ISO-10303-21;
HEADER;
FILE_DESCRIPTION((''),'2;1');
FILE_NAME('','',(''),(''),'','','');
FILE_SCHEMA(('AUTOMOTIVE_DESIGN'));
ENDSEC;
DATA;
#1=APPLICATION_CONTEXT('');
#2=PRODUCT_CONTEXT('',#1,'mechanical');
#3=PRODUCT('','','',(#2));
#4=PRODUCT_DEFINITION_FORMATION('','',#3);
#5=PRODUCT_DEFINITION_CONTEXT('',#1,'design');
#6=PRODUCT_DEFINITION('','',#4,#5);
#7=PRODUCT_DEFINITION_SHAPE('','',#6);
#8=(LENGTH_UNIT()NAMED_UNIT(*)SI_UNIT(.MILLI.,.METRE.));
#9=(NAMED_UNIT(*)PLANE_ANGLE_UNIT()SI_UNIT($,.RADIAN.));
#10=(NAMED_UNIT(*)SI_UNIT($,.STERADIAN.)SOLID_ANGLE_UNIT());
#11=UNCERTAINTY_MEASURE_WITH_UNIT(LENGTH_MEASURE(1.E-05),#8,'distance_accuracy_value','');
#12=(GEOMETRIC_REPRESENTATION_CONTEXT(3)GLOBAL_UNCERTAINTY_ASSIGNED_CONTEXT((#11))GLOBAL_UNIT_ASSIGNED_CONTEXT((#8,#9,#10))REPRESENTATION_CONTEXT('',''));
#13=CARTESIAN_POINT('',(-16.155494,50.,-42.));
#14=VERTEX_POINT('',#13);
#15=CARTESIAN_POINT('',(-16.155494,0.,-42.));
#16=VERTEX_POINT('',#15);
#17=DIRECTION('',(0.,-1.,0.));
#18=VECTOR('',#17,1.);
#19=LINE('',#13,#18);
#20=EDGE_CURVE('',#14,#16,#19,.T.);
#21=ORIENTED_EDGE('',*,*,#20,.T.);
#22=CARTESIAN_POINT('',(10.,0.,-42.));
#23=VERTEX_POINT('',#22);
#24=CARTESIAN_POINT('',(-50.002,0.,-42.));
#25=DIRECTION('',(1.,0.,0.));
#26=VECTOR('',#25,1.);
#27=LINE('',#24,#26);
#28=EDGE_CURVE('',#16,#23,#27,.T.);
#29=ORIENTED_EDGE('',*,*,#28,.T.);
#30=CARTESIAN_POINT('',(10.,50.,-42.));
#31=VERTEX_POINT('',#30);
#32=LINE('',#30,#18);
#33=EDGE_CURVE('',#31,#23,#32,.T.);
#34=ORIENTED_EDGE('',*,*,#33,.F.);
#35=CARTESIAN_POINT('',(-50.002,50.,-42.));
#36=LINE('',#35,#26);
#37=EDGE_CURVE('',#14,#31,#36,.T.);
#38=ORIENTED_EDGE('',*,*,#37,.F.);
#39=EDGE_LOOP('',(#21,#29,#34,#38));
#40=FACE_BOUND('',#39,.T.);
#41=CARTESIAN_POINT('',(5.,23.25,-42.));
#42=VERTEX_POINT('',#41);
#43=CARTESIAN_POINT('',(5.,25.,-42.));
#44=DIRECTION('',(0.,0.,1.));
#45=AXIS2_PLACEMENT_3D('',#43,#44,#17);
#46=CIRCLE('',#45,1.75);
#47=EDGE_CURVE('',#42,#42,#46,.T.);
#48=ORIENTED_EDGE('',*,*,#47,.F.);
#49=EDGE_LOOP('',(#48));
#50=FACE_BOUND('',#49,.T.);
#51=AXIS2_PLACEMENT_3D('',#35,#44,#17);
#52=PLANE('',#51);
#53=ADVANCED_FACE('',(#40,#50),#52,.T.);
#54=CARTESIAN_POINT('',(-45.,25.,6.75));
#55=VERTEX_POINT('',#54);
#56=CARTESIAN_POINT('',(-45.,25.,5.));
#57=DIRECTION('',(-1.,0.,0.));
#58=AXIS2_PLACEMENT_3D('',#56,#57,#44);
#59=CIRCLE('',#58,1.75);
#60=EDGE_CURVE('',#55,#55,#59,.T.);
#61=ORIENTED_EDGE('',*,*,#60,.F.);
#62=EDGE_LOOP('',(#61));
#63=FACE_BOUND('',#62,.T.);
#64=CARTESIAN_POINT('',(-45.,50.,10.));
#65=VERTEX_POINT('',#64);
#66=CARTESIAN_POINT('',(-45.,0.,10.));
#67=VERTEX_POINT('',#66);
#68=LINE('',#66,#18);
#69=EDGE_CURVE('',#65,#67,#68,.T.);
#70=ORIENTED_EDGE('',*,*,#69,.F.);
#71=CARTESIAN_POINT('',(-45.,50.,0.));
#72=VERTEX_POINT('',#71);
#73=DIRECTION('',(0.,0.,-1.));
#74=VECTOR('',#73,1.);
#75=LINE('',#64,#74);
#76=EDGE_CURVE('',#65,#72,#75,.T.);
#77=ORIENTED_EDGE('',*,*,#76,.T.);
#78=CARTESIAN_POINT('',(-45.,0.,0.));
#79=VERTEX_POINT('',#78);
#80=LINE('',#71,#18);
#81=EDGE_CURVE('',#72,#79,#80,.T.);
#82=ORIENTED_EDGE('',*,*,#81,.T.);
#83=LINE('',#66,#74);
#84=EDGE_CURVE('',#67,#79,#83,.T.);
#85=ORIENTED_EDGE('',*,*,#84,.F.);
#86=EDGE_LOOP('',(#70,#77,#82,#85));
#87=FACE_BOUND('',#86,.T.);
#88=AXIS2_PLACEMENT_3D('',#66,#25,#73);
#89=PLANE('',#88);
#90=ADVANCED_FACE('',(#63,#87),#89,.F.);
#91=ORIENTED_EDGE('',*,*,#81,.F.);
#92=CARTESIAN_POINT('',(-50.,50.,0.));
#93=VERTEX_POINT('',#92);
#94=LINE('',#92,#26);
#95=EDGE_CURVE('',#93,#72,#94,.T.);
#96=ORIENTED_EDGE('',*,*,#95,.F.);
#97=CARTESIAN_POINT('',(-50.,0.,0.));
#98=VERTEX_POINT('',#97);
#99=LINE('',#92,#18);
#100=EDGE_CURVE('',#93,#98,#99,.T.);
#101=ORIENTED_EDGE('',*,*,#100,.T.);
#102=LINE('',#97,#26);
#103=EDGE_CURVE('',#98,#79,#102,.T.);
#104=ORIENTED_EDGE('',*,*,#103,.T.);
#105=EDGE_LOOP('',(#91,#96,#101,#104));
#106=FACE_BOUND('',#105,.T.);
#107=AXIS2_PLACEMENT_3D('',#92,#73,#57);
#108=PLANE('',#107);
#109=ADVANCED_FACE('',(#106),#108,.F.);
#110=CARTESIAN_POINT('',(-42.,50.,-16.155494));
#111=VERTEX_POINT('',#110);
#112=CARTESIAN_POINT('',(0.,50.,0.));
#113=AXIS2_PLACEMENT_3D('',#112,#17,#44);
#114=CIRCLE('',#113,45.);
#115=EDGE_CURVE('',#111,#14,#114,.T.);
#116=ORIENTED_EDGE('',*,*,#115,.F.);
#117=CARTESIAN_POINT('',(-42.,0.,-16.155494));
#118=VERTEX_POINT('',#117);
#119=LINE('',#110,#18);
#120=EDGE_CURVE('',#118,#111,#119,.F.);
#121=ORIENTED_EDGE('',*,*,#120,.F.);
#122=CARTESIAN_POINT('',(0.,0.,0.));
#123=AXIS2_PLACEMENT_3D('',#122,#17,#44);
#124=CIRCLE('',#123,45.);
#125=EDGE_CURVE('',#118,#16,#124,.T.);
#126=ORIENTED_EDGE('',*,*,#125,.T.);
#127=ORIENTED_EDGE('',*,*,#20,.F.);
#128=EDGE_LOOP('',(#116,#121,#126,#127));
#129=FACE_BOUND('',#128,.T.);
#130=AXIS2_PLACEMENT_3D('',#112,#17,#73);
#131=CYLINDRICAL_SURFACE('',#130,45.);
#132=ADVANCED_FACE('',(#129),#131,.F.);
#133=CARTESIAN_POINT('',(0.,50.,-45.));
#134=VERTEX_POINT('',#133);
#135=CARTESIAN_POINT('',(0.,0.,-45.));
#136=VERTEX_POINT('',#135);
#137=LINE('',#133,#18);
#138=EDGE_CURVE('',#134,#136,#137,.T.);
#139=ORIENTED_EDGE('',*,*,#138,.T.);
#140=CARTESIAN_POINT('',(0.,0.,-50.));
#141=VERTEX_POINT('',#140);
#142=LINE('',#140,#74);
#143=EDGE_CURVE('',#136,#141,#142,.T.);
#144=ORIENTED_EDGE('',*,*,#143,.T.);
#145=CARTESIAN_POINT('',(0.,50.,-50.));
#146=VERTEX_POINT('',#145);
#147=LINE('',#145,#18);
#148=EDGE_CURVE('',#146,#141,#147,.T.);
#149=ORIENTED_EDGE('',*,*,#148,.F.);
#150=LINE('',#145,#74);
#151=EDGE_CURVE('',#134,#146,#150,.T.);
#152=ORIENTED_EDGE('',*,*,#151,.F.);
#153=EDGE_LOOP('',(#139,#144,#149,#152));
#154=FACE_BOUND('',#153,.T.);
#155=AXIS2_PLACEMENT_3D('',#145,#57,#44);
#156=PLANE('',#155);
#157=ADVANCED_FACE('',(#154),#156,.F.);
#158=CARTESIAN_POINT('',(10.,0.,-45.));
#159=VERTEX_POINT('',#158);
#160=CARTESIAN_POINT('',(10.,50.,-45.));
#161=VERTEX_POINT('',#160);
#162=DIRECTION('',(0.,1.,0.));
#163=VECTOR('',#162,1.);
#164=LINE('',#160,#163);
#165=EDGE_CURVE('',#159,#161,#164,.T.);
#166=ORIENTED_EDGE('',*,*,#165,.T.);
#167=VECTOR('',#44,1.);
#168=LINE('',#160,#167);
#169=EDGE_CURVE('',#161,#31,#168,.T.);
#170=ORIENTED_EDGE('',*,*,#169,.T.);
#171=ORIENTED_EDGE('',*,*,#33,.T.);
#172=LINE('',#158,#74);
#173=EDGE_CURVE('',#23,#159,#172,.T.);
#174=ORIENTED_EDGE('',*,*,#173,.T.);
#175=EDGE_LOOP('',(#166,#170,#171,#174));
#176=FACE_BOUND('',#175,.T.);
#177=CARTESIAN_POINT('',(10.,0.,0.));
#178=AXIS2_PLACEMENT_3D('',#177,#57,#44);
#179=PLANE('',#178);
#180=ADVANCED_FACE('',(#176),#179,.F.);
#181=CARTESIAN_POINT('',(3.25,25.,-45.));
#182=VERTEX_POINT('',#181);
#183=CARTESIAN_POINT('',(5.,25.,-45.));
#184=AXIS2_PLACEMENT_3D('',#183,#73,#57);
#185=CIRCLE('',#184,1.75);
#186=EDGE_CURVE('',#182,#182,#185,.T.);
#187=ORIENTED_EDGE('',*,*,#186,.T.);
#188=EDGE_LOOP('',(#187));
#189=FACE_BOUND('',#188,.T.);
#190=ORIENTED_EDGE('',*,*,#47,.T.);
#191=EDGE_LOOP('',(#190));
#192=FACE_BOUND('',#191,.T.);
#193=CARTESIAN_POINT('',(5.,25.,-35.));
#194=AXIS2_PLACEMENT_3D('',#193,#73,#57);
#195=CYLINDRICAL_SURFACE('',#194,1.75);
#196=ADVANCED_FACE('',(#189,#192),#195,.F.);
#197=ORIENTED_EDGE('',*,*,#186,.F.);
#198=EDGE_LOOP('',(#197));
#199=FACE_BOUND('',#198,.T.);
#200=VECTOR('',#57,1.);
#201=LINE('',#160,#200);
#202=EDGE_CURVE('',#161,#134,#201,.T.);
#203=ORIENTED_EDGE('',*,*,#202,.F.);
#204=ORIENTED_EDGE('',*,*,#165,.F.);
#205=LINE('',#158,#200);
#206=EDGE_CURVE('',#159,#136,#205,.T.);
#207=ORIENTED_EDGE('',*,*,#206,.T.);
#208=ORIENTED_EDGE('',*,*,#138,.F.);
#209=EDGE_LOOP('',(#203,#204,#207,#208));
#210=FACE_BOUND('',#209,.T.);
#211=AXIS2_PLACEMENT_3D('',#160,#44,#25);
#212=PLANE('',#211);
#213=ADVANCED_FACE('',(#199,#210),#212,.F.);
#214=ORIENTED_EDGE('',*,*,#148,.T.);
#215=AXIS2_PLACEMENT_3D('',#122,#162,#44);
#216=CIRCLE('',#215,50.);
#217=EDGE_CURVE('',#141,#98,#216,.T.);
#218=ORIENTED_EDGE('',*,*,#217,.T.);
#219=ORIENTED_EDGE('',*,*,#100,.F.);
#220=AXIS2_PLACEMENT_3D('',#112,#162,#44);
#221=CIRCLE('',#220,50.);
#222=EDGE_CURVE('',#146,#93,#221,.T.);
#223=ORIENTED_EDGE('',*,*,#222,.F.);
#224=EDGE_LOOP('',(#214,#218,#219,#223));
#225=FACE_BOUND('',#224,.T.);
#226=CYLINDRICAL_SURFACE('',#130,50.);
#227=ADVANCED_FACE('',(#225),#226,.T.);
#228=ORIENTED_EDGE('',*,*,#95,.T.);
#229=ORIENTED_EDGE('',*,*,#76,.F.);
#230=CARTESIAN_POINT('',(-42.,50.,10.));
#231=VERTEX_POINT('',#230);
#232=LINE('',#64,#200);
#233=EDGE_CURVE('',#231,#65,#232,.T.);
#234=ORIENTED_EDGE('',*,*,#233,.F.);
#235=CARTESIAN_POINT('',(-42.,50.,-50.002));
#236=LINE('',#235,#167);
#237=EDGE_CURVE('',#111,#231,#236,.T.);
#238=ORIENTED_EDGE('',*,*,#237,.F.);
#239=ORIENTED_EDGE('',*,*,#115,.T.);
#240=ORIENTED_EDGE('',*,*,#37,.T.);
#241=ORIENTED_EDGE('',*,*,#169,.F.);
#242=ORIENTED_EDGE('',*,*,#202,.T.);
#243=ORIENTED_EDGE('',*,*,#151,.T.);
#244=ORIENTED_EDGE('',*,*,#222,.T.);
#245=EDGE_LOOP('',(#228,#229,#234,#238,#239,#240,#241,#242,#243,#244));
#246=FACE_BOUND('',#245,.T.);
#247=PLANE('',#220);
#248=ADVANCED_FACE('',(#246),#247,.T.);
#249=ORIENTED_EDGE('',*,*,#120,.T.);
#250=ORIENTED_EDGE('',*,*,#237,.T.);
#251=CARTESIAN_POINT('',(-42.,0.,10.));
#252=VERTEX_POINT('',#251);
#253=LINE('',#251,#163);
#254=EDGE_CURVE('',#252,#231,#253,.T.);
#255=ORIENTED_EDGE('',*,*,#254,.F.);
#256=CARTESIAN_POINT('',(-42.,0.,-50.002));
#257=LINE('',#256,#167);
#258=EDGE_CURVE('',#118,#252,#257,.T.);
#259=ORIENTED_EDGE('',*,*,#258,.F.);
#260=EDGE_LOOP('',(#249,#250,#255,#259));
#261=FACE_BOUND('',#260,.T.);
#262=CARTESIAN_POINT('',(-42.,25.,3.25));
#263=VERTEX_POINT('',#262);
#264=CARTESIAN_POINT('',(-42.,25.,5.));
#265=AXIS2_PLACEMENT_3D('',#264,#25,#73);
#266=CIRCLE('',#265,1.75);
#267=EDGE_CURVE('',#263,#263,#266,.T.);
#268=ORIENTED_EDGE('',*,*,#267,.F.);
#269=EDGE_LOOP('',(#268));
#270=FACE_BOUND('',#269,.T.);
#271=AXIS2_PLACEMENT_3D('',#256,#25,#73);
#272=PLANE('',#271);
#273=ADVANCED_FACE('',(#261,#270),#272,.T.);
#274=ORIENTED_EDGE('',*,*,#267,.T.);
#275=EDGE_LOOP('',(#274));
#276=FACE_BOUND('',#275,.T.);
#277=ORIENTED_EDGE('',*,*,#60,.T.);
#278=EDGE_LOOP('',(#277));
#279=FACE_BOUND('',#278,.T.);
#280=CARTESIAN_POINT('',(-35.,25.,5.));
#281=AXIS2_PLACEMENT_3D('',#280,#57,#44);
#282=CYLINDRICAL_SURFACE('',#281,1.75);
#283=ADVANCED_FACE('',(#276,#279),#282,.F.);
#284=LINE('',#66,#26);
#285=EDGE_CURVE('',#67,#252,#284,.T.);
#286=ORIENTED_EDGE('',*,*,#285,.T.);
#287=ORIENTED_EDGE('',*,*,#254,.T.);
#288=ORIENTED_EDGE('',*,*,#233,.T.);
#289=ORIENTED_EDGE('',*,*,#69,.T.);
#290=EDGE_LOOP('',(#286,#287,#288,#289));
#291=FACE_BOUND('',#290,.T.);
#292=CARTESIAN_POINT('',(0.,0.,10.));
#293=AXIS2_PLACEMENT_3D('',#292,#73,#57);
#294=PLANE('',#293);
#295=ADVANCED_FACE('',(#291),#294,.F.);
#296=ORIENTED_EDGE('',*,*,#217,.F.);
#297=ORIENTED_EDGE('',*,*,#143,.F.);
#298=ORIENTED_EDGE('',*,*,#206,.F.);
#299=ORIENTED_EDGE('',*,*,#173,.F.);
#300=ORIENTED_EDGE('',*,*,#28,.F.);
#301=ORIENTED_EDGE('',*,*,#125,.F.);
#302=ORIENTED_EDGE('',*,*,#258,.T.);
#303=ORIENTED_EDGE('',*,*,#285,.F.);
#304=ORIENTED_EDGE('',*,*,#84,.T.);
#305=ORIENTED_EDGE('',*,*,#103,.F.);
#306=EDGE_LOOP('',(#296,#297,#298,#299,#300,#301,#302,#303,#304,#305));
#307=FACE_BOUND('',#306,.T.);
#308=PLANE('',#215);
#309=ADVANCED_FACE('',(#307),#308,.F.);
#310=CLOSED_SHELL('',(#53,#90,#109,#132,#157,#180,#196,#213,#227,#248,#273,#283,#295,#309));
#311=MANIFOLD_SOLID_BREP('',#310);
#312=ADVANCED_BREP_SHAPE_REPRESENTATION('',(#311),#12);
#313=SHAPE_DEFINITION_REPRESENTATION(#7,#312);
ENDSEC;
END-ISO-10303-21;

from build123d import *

# Parameters (mm, degrees)
BOSS_EXTRUDE1_DEPTH             = 50
SKETCH2_W                       = 3
SKETCH2_H                       = 50
BOSS_EXTRUDE2_DEPTH             = 10
BOSS_EXTRUDE2_DIRECTION_2_REACH = 88.603
SKETCH4_W                       = 3
SKETCH4_H                       = 50
BOSS_EXTRUDE3_DEPTH             = 10
BOSS_EXTRUDE3_DIRECTION_2_REACH = 88.603
SKETCH5_R                       = 1.75
CUT_EXTRUDE1_DEPTH              = 10
SKETCH6_R                       = 1.75
CUT_EXTRUDE2_DEPTH              = 10


with BuildPart() as part:
    # Sketch1 → Boss-Extrude1 (new body)
    with BuildSketch(Plane(origin=(0, 0, 0), x_dir=(1, 0, 0), z_dir=(0, 1, 0))):
        with BuildLine():
            Line((-50, 0), (-45, 0))
            ThreePointArc((-45, 0), (-31.819805153, 31.819805153), (0, 45))
            Line((0, 45), (0, 50))
            ThreePointArc((0, 50), (-35.355339059, 35.355339059), (-50, 0))
        make_face()
    extrude(amount=BOSS_EXTRUDE1_DEPTH)

    # Sketch2 → Boss-Extrude2 (add)
    with BuildSketch(Plane.XY):
        with Locations((-43.5, 25)):
            Rectangle(SKETCH2_W, SKETCH2_H)
    extrude(amount=BOSS_EXTRUDE2_DEPTH)

    # Sketch2 → Boss-Extrude2 direction 2 (add, up to next)
    with BuildSketch(Plane.XY, mode=Mode.PRIVATE) as boss_extrude2_direction_2_sk1:
        with Locations((-43.5, 25)):
            Rectangle(SKETCH2_W, SKETCH2_H)
    boss_extrude2_direction_2_tool1 = extrude(boss_extrude2_direction_2_sk1.sketch, amount=-BOSS_EXTRUDE2_DIRECTION_2_REACH, mode=Mode.PRIVATE) - part.part
    add(boss_extrude2_direction_2_tool1.solids().sort_by_distance((-43.5, 25, 0))[0])

    # Sketch4 → Boss-Extrude3 (add)
    with BuildSketch(Plane(origin=(0, 0, 0), x_dir=(0, 0, -1), z_dir=(1, 0, 0))):
        with Locations((43.5, 25)):
            Rectangle(SKETCH4_W, SKETCH4_H)
    extrude(amount=BOSS_EXTRUDE3_DEPTH)

    # Sketch4 → Boss-Extrude3 direction 2 (add, up to next)
    with BuildSketch(Plane(origin=(0, 0, 0), x_dir=(0, 0, -1), z_dir=(1, 0, 0)), mode=Mode.PRIVATE) as boss_extrude3_direction_2_sk1:
        with Locations((43.5, 25)):
            Rectangle(SKETCH4_W, SKETCH4_H)
    boss_extrude3_direction_2_tool1 = extrude(boss_extrude3_direction_2_sk1.sketch, amount=-BOSS_EXTRUDE3_DIRECTION_2_REACH, mode=Mode.PRIVATE) - part.part
    add(boss_extrude3_direction_2_tool1.solids().sort_by_distance((0, 25, -43.5))[0])

    # Sketch5 → Cut-Extrude1 (cut)
    with BuildSketch(Plane(origin=(0, 0, -45), x_dir=(-1, 0, 0), z_dir=(0, 0, -1))):
        with Locations((-5, 25)):
            Circle(SKETCH5_R)
    extrude(amount=-CUT_EXTRUDE1_DEPTH, mode=Mode.SUBTRACT)

    # Sketch6 → Cut-Extrude2 (cut)
    with BuildSketch(Plane.ZY.offset(45)):
        with Locations((5, 25)):
            Circle(SKETCH6_R)
    extrude(amount=-CUT_EXTRUDE2_DEPTH, mode=Mode.SUBTRACT)


solid = part.part
